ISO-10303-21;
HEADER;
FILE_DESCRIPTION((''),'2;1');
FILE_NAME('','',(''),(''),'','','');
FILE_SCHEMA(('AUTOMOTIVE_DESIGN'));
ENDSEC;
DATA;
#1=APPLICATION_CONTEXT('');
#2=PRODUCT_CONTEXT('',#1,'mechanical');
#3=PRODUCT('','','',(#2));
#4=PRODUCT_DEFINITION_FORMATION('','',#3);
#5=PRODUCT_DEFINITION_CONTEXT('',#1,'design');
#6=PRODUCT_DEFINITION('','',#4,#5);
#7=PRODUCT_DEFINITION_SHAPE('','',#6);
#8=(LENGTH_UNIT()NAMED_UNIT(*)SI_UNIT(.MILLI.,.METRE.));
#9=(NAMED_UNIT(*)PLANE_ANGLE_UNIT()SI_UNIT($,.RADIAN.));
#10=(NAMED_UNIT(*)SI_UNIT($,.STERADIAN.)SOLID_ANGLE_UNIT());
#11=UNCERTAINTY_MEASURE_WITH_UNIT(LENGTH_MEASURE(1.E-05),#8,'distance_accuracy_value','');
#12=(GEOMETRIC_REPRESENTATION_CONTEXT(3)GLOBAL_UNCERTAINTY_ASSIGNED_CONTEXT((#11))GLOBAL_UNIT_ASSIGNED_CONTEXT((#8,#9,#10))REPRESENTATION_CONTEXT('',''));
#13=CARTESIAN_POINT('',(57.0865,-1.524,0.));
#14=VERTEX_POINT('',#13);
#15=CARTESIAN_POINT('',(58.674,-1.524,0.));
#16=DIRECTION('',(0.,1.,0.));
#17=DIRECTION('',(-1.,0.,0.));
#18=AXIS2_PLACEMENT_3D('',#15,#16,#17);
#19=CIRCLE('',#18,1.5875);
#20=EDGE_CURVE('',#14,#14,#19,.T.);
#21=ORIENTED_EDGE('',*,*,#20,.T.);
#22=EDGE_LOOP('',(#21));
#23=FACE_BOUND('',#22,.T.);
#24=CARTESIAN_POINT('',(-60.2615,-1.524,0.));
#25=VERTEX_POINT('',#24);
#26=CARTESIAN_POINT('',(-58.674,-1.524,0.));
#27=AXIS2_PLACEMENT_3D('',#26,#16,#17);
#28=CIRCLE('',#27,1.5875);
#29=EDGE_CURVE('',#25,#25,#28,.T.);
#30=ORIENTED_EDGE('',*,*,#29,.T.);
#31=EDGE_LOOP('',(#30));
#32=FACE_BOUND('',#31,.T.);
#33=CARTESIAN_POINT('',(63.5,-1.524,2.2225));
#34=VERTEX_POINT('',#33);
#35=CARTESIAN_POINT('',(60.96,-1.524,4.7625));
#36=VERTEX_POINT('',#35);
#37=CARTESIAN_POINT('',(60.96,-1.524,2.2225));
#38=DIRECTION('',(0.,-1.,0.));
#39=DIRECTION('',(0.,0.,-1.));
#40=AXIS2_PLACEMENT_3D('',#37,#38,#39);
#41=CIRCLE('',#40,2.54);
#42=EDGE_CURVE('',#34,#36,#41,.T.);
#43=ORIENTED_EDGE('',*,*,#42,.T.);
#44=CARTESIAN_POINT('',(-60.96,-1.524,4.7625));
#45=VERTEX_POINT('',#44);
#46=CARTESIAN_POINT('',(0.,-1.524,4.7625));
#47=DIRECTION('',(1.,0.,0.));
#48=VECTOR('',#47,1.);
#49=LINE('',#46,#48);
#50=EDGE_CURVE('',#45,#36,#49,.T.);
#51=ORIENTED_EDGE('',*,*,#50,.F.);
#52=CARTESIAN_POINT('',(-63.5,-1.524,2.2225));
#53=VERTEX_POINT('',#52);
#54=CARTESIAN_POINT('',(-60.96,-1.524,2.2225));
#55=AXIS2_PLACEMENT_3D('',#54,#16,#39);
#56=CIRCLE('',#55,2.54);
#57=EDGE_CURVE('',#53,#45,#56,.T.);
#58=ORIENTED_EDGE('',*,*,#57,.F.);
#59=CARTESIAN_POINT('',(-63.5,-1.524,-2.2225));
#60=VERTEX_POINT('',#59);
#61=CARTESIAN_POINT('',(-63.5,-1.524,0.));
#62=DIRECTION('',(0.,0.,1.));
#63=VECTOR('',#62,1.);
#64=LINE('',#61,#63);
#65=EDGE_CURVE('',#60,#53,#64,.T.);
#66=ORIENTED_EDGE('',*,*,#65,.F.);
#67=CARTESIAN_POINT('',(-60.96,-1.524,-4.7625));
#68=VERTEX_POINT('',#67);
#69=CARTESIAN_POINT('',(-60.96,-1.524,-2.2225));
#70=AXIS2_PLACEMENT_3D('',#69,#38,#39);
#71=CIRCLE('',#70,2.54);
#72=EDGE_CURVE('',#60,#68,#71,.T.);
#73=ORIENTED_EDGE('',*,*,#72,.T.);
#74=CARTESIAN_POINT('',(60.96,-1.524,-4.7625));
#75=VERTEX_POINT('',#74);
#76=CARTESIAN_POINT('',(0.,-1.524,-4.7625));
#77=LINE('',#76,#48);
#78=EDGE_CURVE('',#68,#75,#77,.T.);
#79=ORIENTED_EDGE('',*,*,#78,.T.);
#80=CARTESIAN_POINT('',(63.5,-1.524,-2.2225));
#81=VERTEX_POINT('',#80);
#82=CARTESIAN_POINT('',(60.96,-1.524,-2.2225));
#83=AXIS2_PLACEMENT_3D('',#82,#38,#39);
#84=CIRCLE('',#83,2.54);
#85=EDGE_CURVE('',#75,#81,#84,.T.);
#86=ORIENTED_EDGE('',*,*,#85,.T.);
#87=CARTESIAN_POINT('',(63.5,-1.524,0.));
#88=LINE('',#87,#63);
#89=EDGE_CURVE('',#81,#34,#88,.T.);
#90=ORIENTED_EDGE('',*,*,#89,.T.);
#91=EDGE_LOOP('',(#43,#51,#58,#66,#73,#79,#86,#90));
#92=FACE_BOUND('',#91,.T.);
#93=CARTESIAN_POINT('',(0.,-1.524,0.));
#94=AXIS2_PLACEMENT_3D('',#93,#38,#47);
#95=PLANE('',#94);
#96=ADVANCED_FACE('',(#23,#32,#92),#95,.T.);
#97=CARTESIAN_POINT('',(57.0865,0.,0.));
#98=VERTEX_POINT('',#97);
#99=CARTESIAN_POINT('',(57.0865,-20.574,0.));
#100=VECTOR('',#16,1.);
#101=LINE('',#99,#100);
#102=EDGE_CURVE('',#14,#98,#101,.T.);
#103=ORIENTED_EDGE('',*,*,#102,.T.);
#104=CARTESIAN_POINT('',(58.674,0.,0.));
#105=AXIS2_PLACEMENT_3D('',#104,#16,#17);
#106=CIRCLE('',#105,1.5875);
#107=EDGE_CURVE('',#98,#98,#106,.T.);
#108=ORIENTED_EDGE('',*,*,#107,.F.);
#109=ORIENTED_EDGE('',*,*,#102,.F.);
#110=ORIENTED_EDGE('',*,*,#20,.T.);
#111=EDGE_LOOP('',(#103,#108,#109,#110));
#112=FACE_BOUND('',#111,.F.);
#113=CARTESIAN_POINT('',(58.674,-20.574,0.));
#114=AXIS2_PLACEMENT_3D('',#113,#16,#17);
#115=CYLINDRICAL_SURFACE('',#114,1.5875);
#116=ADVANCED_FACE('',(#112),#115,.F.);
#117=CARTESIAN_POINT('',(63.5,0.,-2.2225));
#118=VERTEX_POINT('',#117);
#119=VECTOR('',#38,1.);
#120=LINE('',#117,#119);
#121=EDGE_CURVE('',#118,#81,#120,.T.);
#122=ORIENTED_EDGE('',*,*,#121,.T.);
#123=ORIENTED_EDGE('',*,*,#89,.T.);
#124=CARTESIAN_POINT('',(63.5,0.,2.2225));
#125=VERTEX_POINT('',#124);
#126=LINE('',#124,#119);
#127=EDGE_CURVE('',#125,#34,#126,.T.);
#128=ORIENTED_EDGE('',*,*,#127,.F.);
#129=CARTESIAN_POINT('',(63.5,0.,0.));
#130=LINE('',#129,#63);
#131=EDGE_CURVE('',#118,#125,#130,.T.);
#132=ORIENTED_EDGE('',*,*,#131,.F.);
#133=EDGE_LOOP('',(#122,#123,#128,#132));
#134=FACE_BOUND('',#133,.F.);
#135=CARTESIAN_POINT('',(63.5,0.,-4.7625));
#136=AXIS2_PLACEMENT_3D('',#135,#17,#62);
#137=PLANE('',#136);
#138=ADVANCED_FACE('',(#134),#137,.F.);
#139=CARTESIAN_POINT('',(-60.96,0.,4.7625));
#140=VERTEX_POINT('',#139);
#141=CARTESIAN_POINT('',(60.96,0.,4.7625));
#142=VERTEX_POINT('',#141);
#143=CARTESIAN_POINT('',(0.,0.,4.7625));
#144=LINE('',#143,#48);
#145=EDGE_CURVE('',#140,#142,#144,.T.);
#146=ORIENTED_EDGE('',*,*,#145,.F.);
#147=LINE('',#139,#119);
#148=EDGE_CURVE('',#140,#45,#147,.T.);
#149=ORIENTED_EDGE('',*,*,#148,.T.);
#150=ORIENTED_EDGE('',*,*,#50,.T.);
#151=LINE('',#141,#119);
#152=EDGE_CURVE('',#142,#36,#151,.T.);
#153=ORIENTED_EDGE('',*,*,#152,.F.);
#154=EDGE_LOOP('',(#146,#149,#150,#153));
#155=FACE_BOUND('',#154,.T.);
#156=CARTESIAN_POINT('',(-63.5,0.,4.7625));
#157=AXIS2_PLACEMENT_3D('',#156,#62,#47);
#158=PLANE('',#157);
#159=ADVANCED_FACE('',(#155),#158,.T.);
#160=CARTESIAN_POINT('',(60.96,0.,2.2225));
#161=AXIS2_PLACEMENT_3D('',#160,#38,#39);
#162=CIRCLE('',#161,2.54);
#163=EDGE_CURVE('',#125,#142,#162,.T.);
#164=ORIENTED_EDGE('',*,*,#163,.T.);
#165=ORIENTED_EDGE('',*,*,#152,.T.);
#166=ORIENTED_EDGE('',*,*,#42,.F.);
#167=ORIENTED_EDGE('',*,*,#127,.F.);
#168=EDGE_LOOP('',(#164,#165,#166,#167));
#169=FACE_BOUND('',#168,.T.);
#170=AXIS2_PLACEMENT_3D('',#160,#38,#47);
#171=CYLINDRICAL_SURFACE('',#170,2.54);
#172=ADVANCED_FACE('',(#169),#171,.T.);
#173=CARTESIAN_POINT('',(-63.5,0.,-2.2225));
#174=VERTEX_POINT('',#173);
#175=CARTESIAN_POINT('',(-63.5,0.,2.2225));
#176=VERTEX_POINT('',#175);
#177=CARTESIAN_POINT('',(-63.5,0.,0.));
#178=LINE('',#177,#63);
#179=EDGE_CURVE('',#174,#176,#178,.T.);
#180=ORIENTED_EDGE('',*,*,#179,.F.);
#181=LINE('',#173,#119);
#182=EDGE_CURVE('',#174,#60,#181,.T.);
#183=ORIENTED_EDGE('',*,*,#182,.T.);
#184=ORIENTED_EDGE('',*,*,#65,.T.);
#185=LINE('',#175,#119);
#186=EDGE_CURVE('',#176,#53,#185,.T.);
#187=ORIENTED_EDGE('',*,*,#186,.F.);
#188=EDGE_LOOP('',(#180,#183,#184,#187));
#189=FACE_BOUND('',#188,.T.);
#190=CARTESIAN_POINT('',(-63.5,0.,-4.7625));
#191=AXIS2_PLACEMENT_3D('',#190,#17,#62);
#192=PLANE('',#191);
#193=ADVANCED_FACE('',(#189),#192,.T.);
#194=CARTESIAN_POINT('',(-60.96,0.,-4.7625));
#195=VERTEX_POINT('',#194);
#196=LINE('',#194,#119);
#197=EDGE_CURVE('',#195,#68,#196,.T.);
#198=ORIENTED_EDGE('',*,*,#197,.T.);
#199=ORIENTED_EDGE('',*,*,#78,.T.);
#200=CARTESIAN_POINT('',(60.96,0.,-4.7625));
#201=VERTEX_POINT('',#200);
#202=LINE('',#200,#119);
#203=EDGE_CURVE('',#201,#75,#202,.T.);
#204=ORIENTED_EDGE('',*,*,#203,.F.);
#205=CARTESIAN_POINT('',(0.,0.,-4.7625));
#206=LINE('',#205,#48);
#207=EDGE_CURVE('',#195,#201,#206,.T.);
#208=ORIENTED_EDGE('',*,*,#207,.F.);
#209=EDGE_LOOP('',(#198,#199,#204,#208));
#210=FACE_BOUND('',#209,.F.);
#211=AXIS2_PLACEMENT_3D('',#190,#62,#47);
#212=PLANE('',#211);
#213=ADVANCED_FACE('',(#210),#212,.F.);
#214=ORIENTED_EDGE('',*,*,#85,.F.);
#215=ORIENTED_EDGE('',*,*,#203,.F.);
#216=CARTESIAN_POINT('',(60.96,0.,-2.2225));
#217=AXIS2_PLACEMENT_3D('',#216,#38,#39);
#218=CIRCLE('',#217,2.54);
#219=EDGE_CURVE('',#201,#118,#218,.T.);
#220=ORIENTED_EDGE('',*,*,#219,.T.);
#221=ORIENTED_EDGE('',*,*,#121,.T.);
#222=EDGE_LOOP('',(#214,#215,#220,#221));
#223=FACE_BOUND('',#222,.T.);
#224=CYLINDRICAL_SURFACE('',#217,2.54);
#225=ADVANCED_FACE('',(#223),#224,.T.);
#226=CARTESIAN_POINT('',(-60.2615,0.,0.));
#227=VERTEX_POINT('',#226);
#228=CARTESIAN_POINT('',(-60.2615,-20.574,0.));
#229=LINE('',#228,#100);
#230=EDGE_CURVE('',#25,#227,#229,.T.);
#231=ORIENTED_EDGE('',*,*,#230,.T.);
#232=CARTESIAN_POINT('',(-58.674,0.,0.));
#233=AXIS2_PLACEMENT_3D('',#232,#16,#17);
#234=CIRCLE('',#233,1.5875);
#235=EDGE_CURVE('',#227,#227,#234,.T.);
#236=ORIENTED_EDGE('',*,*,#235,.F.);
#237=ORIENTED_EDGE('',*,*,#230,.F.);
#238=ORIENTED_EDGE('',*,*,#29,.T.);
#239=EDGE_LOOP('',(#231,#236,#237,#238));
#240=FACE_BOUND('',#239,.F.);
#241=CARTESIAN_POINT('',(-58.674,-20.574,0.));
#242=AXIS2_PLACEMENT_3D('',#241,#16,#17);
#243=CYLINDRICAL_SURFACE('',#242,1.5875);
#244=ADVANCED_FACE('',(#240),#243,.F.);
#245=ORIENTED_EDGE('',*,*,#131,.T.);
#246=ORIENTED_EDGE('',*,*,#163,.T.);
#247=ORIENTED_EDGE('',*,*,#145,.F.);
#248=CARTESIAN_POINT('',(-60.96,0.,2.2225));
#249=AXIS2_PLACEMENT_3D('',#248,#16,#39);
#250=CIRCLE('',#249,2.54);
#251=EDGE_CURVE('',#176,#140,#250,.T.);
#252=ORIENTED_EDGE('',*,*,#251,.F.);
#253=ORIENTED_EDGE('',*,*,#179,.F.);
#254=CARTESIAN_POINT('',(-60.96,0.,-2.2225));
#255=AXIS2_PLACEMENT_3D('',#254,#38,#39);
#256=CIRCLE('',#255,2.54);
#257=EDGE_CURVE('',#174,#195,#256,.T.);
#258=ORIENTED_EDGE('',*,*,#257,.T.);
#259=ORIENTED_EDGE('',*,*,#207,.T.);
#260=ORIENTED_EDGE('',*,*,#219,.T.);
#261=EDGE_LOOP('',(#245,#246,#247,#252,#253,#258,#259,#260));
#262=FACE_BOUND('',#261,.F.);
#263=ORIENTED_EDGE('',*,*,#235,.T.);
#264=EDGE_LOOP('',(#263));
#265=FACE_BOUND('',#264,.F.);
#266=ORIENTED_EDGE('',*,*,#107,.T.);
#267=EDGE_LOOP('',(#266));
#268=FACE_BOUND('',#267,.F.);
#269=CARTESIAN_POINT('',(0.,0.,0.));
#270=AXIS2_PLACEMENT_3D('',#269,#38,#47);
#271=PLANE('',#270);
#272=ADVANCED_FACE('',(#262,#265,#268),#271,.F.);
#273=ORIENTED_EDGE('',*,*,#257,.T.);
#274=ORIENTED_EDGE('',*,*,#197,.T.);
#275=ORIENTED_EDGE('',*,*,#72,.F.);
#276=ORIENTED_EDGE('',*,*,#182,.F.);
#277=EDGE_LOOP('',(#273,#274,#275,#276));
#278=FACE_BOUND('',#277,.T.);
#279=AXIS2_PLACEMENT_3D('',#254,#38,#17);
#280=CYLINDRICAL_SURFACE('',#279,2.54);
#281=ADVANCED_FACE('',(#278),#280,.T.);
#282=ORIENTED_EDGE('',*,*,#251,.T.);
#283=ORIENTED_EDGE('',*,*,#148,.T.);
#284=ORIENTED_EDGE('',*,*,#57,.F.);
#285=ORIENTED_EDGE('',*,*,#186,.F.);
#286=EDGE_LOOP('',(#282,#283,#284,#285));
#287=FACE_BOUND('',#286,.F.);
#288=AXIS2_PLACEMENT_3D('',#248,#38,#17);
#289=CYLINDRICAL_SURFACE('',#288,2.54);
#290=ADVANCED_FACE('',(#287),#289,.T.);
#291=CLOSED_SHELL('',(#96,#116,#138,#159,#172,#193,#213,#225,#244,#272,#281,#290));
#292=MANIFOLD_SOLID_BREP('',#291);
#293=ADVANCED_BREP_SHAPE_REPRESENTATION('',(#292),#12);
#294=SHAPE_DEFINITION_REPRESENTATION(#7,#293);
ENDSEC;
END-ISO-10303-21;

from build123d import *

# Parameters (mm, degrees)
F0_W     = 127
F0_H     = 9.525
F1_DEPTH = 1.524
F2_R     = 2.54
F4_D     = 3.175
F4_DEPTH = 19.05


with BuildPart() as f1:
    # F0 (on Front) → F1 (new body)
    with BuildSketch(Plane.XZ):
        Rectangle(F0_W, F0_H)
    extrude(amount=F1_DEPTH)

    # F2
    f2_edges = [f1.edges().sort_by_distance(p)[0] for p in [
        (-63.5, -0.762, 4.7625),
        (-63.5, -0.762, -4.7625),
        (63.5, -0.762, -4.7625),
        (63.5, -0.762, 4.7625),
    ]]
    fillet(f2_edges, radius=F2_R)

    # F4
    with Locations(Plane.XZ.offset(1.524)):
        with Locations((-58.674, 0), (58.674, 0)):
            Hole(F4_D / 2, depth=F4_DEPTH)


solid = f1.part
